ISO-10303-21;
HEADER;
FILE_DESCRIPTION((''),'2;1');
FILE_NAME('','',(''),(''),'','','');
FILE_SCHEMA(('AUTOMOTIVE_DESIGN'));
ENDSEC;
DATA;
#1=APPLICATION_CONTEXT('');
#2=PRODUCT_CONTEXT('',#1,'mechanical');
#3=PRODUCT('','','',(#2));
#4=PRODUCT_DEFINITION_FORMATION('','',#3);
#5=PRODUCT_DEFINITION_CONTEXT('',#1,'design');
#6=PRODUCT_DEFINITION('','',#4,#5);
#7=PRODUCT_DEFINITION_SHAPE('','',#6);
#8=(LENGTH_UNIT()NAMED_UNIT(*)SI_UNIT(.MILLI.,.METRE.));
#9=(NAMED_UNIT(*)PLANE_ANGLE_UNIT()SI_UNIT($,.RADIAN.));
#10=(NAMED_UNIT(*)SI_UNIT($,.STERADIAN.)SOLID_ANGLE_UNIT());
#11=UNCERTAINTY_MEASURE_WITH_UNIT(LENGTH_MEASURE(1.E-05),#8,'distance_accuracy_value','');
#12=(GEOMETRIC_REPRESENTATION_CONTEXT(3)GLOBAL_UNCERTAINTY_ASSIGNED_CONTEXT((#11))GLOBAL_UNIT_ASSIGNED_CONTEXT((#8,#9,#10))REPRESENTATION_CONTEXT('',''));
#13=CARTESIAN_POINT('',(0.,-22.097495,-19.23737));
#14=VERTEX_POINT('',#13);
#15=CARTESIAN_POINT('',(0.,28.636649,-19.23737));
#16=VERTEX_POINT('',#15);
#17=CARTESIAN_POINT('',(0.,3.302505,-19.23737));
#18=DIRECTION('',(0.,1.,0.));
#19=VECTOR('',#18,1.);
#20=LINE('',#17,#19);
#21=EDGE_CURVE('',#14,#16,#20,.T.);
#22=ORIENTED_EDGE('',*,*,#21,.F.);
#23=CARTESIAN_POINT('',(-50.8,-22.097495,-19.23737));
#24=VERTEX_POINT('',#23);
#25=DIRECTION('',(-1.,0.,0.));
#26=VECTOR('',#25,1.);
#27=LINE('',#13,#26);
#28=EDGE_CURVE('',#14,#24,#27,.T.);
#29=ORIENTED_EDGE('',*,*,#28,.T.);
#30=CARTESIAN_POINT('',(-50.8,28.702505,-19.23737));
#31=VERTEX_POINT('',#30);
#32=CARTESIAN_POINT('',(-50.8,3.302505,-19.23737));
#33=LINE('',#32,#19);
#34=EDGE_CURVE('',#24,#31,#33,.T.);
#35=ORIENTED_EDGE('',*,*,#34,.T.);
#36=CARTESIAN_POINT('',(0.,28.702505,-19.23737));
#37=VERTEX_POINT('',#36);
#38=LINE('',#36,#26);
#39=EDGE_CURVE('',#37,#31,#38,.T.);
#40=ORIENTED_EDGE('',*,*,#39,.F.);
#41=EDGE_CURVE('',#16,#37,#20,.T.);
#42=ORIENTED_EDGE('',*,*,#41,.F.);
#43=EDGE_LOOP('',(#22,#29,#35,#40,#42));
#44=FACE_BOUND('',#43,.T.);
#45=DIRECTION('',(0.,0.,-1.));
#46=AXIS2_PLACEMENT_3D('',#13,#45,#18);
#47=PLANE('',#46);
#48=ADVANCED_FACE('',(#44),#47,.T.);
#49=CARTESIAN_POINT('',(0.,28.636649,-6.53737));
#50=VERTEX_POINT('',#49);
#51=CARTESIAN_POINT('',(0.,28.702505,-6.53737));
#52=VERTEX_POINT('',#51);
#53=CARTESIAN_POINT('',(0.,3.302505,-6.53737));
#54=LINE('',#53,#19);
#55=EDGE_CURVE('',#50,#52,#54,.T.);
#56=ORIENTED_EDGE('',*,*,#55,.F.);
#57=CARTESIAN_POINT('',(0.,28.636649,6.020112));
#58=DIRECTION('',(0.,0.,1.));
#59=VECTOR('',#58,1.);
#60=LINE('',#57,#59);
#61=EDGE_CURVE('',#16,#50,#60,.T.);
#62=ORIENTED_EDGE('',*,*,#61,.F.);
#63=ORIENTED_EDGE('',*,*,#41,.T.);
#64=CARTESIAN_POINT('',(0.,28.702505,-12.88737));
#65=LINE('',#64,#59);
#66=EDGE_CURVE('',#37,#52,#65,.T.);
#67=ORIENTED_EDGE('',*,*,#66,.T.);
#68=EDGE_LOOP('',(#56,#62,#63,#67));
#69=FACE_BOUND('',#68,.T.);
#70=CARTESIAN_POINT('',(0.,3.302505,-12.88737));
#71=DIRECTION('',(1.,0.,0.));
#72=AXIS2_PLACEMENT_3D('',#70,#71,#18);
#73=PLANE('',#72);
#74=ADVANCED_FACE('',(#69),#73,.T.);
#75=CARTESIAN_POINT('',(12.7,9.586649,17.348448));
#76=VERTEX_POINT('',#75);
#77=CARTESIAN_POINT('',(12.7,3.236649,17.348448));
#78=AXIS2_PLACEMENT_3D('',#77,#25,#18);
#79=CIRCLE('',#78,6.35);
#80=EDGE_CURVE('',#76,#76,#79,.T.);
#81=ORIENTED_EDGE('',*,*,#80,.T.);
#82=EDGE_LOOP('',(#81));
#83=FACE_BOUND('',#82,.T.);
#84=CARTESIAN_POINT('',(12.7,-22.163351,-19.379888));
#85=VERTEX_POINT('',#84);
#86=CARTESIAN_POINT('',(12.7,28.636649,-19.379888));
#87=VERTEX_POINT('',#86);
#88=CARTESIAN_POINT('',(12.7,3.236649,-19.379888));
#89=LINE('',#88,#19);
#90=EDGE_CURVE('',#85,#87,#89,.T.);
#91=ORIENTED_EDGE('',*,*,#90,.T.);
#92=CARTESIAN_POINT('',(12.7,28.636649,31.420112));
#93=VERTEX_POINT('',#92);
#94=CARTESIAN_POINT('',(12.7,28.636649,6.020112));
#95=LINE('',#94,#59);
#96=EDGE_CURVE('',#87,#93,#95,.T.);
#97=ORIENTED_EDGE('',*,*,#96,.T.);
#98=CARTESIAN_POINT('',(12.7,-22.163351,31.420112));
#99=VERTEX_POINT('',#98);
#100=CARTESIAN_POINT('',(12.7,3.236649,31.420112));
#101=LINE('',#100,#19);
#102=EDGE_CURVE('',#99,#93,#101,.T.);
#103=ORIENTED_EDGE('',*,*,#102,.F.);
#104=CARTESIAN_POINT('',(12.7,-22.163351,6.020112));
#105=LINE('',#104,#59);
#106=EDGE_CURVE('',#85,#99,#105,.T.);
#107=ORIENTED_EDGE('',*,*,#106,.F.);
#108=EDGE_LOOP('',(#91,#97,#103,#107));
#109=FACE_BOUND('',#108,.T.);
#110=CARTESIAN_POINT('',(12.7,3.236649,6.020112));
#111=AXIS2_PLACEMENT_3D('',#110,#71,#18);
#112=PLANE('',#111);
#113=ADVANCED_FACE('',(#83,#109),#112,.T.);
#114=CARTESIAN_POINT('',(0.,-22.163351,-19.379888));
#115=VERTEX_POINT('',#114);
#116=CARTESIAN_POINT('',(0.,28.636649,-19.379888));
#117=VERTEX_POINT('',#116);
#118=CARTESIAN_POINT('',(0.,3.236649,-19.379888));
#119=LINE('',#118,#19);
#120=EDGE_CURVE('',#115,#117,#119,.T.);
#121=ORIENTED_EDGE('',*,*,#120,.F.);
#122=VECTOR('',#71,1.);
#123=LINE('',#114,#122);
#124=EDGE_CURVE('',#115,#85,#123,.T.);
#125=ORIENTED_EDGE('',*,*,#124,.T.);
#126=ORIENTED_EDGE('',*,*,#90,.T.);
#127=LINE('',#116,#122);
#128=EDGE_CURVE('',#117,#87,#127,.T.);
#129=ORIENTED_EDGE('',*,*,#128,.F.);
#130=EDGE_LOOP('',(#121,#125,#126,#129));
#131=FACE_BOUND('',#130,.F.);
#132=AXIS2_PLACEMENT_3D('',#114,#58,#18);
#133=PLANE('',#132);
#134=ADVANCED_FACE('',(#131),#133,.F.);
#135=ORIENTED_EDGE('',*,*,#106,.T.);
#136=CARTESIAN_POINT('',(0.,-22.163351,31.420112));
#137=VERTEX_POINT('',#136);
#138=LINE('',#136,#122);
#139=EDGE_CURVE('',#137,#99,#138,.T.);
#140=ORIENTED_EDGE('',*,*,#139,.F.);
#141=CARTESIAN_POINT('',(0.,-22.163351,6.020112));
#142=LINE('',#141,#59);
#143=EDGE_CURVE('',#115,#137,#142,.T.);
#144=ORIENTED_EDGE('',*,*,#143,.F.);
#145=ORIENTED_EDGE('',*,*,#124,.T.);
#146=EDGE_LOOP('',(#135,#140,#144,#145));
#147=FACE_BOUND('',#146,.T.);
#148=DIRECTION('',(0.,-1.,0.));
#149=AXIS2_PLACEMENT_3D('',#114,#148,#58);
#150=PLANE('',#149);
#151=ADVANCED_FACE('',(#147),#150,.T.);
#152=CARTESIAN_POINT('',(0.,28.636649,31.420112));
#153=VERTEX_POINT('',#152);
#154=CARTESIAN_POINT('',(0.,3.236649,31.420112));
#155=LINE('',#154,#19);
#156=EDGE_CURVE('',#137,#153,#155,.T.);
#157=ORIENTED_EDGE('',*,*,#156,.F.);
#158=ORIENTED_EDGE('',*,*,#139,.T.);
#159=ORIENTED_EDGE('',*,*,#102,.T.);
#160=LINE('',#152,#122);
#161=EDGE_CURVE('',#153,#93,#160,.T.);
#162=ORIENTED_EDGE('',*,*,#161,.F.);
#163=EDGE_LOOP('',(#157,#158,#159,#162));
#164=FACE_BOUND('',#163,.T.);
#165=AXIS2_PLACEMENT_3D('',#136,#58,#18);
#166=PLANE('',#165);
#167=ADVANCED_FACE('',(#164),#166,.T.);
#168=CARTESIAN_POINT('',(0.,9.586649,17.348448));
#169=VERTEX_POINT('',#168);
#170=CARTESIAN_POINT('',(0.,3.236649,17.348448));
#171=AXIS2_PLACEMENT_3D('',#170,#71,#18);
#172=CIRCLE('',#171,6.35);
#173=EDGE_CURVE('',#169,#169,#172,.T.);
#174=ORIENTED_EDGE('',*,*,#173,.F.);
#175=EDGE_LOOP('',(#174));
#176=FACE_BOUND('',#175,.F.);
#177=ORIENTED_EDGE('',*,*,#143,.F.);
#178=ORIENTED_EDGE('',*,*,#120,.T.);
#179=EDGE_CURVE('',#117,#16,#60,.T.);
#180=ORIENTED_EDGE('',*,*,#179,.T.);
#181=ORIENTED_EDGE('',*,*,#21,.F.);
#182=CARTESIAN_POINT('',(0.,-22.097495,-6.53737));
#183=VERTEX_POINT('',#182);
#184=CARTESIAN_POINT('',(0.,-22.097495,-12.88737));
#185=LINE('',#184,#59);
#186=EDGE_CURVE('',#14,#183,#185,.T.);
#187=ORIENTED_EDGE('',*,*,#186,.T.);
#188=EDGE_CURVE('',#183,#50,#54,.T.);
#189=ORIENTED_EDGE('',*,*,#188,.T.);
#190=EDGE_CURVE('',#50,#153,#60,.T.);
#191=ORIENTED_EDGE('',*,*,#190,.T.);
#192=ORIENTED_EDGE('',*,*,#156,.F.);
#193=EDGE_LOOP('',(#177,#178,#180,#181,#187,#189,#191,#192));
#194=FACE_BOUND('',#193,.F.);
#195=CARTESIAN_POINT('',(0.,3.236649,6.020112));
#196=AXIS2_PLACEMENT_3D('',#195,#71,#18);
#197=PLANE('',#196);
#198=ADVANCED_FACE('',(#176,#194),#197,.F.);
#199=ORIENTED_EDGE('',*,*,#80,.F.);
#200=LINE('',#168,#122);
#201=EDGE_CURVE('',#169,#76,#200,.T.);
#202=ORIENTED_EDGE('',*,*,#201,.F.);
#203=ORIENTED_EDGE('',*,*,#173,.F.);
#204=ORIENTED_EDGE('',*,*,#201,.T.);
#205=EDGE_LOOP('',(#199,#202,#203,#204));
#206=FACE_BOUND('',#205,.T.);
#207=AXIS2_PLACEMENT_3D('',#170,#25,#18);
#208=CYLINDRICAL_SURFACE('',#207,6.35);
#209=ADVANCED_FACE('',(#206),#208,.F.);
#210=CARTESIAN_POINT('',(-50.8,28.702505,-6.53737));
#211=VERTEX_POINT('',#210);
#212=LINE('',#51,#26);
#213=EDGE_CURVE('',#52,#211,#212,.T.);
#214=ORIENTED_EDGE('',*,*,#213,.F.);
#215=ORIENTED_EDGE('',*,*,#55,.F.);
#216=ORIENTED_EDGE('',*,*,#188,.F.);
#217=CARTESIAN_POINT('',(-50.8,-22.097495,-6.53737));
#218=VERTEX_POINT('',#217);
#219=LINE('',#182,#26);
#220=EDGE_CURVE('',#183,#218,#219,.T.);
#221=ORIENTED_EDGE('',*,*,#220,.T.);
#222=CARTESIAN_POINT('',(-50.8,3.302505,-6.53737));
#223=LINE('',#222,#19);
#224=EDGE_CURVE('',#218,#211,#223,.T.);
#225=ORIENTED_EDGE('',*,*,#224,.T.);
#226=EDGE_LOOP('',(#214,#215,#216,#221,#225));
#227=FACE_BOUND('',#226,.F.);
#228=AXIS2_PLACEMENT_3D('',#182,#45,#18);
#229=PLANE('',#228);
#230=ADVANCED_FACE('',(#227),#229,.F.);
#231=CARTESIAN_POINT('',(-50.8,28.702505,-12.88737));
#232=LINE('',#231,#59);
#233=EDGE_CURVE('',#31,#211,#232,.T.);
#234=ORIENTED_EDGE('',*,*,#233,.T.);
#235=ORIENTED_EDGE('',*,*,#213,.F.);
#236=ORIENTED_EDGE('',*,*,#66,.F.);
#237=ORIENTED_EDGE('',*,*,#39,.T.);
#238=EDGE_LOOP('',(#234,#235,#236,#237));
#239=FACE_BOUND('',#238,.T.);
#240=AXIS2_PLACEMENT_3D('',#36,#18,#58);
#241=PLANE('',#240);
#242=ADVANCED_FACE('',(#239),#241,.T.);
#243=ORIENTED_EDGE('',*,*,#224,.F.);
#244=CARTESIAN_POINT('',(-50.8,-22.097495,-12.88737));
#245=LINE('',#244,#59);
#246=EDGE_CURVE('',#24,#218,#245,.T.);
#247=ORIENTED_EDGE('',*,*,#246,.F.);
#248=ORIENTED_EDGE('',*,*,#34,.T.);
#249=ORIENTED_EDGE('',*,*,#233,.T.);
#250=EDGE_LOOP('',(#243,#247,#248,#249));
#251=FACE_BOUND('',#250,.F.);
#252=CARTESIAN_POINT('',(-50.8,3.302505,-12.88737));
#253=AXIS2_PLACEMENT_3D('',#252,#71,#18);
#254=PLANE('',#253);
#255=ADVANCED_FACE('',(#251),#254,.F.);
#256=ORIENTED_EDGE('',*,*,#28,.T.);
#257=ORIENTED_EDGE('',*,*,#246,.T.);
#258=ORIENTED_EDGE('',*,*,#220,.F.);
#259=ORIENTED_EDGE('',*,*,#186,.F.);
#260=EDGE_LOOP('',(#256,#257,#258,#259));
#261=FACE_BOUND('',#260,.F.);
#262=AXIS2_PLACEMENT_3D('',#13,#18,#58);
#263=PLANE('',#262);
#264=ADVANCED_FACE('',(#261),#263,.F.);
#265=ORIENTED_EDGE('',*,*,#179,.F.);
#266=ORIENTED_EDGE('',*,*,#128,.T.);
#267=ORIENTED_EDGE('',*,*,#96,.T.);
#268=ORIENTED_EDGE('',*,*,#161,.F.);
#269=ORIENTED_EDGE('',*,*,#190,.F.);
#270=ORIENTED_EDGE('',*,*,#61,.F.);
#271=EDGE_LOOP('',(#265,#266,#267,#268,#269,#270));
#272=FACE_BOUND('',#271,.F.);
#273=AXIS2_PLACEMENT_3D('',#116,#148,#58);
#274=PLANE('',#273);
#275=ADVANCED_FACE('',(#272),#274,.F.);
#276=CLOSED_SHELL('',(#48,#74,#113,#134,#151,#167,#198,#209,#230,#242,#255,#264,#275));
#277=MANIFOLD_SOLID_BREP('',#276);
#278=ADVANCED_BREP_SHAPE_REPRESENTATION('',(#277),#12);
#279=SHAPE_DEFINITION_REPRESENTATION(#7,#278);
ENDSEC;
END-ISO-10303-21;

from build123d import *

# Parameters (mm, degrees)
F0_W     = 50.8
F0_H     = 50.8
F2_DEPTH = 12.7
F1_W     = 50.8
F1_H     = 12.7
F3_DEPTH = 50.8
F4_R     = 6.35
F5_DEPTH = 12.701


with BuildPart() as f2:
    # F0 (on Right) → F2 (new body)
    with BuildSketch(Plane.YZ):
        with Locations((3.236649, 6.020112)):
            Rectangle(F0_W, F0_H)
    extrude(amount=F2_DEPTH)

    # F1 (on Right) → F3 (join)
    with BuildSketch(Plane.YZ):
        with Locations((3.302505, -12.88737)):
            Rectangle(F1_W, F1_H)
    extrude(amount=-F3_DEPTH)

    # F4 (on Right) → F5 (cut, through all)
    with BuildSketch(Plane.YZ):
        with Locations((3.236649, 17.348448)):
            Circle(F4_R)
    extrude(amount=F5_DEPTH, mode=Mode.SUBTRACT)


solid = f2.part
